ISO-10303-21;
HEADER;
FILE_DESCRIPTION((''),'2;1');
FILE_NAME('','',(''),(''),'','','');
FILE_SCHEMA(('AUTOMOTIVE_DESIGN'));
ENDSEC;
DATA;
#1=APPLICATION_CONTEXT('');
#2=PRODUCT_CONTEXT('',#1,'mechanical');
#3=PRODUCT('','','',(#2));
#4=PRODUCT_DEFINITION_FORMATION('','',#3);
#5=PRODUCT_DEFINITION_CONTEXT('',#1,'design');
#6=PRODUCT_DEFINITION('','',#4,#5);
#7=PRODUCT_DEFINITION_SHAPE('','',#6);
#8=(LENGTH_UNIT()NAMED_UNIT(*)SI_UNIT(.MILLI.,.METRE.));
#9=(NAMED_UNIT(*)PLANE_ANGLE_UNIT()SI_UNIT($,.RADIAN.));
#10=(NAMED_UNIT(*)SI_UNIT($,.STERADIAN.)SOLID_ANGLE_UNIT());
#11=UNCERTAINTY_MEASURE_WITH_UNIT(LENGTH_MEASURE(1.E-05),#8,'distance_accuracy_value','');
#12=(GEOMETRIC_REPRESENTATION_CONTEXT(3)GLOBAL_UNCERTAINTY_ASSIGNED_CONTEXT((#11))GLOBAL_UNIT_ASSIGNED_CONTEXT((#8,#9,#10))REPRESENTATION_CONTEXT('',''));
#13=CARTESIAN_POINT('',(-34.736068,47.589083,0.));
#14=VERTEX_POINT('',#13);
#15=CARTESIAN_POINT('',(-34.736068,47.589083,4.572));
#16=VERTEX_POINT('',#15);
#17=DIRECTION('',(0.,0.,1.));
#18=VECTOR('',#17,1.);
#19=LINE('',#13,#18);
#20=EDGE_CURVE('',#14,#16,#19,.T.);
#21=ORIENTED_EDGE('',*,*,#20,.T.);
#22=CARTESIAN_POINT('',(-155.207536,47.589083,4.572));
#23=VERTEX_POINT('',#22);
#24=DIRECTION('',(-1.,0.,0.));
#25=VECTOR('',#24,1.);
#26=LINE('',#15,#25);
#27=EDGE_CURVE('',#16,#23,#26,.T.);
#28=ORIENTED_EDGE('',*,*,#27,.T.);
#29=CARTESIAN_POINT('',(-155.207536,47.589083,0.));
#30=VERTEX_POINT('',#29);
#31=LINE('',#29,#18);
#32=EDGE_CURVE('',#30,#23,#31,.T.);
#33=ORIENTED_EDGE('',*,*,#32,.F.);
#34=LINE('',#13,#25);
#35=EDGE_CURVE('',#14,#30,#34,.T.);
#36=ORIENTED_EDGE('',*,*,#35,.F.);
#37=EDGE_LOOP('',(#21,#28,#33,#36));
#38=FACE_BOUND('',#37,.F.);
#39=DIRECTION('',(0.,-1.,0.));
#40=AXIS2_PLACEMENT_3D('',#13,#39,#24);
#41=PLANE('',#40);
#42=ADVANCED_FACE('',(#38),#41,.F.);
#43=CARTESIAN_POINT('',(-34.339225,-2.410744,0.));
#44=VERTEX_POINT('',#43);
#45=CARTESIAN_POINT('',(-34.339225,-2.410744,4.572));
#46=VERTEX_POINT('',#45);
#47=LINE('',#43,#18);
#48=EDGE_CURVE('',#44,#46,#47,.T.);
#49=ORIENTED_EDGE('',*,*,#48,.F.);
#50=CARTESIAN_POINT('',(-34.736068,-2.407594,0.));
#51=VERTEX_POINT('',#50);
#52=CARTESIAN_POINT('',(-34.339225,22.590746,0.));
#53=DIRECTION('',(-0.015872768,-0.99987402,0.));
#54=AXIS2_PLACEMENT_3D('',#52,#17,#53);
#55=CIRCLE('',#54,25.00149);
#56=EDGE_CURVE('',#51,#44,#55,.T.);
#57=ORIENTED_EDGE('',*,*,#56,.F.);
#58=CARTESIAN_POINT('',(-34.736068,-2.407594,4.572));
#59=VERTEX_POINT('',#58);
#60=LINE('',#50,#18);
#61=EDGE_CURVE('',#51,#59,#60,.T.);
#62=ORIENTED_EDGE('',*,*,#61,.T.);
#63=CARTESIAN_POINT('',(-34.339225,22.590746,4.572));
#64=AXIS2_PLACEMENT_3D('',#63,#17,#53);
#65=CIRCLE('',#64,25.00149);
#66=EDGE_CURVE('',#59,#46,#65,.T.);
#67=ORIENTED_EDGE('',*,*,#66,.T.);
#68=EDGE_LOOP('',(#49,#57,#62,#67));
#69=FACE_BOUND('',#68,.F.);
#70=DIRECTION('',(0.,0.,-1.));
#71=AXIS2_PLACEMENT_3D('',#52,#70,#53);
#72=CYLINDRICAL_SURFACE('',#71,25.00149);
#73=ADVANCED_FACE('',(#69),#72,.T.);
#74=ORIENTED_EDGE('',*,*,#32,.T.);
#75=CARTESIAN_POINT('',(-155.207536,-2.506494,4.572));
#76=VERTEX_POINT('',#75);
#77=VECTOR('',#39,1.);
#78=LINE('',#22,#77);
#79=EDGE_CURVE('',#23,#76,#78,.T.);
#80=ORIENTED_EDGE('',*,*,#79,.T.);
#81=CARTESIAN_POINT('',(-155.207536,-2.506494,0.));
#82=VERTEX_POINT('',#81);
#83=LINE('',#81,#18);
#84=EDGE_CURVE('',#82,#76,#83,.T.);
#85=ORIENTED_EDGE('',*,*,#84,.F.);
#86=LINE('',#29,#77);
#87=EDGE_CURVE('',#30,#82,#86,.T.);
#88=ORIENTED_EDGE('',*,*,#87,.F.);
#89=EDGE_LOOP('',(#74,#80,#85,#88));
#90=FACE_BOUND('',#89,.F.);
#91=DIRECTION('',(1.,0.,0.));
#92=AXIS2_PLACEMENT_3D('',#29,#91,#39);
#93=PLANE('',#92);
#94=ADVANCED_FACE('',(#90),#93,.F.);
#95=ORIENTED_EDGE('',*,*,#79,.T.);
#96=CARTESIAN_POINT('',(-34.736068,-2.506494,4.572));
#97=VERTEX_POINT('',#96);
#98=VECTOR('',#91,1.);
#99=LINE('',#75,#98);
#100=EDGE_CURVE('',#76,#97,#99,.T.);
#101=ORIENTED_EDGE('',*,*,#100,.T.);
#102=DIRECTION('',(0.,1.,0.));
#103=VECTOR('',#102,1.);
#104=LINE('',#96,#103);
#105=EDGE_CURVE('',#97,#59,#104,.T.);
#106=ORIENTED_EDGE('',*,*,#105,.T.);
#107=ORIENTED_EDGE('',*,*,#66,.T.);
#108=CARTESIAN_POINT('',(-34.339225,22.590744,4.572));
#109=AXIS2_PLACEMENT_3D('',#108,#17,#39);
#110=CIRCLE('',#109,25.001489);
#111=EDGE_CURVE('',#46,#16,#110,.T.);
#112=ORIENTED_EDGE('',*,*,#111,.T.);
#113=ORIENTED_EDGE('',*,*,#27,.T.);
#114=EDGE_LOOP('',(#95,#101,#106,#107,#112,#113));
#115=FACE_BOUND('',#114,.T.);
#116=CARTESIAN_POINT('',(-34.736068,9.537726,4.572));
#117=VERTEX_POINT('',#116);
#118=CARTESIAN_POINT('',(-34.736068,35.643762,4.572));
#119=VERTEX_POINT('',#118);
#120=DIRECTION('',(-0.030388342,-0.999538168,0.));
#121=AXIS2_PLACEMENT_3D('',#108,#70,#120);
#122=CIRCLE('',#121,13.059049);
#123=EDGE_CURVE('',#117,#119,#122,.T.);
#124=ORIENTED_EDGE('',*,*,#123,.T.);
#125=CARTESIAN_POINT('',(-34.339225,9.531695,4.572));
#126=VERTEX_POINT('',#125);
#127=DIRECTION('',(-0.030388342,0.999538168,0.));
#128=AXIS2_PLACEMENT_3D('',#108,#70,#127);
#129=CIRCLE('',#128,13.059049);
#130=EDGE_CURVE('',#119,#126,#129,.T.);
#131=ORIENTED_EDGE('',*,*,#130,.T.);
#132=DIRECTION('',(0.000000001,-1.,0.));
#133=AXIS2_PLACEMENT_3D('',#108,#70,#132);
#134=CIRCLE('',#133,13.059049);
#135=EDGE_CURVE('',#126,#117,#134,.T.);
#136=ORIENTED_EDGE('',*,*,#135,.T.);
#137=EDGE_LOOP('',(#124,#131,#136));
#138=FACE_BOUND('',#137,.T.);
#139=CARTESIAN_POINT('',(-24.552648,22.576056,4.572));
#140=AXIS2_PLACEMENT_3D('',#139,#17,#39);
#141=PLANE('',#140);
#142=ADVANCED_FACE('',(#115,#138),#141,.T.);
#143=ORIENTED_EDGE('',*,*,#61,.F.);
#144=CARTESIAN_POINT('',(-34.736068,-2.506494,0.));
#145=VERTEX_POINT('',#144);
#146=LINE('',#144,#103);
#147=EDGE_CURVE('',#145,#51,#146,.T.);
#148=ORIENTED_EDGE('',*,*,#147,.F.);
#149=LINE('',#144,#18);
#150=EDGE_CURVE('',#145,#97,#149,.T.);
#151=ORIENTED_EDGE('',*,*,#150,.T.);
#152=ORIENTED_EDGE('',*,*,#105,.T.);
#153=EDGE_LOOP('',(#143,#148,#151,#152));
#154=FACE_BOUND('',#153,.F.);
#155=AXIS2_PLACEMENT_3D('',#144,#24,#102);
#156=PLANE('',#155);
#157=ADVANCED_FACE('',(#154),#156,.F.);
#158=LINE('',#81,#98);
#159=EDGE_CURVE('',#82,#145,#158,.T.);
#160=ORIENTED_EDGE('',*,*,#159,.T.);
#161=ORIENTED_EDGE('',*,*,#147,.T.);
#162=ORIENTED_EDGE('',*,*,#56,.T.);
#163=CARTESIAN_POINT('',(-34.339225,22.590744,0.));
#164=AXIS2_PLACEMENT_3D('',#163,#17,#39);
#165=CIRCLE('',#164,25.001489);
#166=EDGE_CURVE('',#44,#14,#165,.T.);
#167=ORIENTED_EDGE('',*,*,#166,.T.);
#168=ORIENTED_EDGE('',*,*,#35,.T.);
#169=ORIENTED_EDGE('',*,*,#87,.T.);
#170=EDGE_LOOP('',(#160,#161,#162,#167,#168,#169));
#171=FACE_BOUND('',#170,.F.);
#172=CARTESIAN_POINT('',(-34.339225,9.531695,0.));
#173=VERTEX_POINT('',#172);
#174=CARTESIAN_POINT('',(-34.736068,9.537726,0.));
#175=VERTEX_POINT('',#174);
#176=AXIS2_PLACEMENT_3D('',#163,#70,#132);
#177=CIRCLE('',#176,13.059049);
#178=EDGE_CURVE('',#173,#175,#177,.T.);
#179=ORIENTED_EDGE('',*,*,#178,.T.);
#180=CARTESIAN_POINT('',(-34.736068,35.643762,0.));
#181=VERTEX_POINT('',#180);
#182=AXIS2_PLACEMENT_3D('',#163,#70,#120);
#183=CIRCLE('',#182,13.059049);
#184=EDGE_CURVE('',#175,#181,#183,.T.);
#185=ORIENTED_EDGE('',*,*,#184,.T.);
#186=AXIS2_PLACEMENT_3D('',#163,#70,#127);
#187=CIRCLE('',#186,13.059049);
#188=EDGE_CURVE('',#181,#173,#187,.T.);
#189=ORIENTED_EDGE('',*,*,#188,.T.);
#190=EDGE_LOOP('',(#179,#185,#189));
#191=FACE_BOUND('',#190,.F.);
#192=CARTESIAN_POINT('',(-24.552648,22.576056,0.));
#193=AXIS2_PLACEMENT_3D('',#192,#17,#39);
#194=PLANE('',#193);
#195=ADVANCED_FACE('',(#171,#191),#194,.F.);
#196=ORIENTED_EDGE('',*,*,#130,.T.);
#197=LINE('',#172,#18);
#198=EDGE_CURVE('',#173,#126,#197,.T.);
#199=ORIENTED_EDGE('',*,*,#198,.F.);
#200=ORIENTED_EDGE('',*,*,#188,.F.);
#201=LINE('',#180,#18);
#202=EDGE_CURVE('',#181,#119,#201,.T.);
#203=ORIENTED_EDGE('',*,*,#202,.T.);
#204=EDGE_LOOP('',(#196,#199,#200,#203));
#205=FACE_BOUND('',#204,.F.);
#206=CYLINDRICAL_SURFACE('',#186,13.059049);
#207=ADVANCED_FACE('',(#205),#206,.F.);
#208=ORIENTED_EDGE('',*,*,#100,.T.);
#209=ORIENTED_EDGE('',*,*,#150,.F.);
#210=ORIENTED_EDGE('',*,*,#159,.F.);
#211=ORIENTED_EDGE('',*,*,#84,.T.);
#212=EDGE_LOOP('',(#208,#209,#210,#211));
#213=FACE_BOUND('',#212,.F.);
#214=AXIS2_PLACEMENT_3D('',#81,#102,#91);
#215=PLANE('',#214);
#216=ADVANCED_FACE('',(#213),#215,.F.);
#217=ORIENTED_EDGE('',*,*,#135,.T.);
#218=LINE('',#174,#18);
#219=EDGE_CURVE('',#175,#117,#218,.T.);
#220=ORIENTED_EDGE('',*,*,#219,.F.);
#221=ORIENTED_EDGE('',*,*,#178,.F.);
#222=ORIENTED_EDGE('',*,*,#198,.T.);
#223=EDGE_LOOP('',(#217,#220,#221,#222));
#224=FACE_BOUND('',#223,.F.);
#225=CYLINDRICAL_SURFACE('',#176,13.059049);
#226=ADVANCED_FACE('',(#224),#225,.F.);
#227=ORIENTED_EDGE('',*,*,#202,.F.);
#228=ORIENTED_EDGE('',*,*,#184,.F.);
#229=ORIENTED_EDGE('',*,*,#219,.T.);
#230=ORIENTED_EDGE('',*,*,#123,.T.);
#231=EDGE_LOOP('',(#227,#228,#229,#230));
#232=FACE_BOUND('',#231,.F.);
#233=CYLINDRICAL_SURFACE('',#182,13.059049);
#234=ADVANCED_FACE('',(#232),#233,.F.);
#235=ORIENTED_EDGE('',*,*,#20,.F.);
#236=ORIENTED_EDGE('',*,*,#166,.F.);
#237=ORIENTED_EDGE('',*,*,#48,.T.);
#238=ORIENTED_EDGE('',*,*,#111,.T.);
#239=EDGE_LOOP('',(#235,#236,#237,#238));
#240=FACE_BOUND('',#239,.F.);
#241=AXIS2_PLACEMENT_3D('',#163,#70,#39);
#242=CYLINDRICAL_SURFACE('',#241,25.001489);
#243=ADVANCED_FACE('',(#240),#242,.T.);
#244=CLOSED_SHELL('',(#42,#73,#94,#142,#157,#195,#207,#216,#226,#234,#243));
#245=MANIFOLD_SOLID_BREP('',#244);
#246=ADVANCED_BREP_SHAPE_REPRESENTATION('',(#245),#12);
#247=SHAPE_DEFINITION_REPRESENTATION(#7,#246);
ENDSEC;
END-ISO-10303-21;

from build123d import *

# Parameters (mm, degrees)
F1_DEPTH = 4.572
F2_ANGLE = 90


with BuildPart() as f1:
    # F0 (on Top) → F1 (new body)
    with BuildSketch(Plane.XY):
        with BuildLine():
            ThreePointArc((15.260609854, 47.589083421), (15.2629721134, 47.7874985962), (15.2637595498, 47.9859262705))
            ThreePointArc((15.2637595498, 47.9859262705), (-9.9361567692, 72.9866274788), (-34.7360680438, 47.589083421))
            Line((-34.7360680438, 47.589083421), (-22.7907470992, 47.589083421))
            ThreePointArc((-22.7907470992, 47.589083421), (-9.936173433, 61.0434675058), (3.3213200001, 47.9859262705))
            ThreePointArc((3.3213200001, 47.9859262705), (3.3198121404, 47.7874819324), (3.3152889093, 47.589083421))
            Line((3.3152889093, 47.589083421), (15.260609854, 47.589083421))
        make_face()
        with BuildLine():
            Line((-22.7907470992, 47.589083421), (-34.7360680438, 47.589083421))
            ThreePointArc((-34.7360680438, 47.589083421), (-9.7377290949, 22.9844376258), (15.260609854, 47.589083421))
            Line((15.260609854, 47.589083421), (3.3152889093, 47.589083421))
            ThreePointArc((3.3152889093, 47.589083421), (-9.7377290949, 34.9268771755), (-22.7907470992, 47.589083421))
        make_face()
        with BuildLine():
            ThreePointArc((15.260609854, 47.589083421), (-9.7377290949, 22.9844376258), (-34.7360680438, 47.589083421))
            Line((-34.7360680438, 47.589083421), (-34.7360680438, -72.8823840618))
            Line((-34.7360680438, -72.8823840618), (15.3595097363, -72.8823840618))
            Line((15.3595097363, -72.8823840618), (15.3595097363, 47.589083421))
            Line((15.3595097363, 47.589083421), (15.260609854, 47.589083421))
        make_face()
    extrude(amount=F1_DEPTH)


with BuildPart() as f1_1:
    # F2: moved
    add(f1.part.rotate(Axis((-34.7360680438, 47.589083421, 2.286), (0, 0, -1)), F2_ANGLE))


solid = f1_1.part
